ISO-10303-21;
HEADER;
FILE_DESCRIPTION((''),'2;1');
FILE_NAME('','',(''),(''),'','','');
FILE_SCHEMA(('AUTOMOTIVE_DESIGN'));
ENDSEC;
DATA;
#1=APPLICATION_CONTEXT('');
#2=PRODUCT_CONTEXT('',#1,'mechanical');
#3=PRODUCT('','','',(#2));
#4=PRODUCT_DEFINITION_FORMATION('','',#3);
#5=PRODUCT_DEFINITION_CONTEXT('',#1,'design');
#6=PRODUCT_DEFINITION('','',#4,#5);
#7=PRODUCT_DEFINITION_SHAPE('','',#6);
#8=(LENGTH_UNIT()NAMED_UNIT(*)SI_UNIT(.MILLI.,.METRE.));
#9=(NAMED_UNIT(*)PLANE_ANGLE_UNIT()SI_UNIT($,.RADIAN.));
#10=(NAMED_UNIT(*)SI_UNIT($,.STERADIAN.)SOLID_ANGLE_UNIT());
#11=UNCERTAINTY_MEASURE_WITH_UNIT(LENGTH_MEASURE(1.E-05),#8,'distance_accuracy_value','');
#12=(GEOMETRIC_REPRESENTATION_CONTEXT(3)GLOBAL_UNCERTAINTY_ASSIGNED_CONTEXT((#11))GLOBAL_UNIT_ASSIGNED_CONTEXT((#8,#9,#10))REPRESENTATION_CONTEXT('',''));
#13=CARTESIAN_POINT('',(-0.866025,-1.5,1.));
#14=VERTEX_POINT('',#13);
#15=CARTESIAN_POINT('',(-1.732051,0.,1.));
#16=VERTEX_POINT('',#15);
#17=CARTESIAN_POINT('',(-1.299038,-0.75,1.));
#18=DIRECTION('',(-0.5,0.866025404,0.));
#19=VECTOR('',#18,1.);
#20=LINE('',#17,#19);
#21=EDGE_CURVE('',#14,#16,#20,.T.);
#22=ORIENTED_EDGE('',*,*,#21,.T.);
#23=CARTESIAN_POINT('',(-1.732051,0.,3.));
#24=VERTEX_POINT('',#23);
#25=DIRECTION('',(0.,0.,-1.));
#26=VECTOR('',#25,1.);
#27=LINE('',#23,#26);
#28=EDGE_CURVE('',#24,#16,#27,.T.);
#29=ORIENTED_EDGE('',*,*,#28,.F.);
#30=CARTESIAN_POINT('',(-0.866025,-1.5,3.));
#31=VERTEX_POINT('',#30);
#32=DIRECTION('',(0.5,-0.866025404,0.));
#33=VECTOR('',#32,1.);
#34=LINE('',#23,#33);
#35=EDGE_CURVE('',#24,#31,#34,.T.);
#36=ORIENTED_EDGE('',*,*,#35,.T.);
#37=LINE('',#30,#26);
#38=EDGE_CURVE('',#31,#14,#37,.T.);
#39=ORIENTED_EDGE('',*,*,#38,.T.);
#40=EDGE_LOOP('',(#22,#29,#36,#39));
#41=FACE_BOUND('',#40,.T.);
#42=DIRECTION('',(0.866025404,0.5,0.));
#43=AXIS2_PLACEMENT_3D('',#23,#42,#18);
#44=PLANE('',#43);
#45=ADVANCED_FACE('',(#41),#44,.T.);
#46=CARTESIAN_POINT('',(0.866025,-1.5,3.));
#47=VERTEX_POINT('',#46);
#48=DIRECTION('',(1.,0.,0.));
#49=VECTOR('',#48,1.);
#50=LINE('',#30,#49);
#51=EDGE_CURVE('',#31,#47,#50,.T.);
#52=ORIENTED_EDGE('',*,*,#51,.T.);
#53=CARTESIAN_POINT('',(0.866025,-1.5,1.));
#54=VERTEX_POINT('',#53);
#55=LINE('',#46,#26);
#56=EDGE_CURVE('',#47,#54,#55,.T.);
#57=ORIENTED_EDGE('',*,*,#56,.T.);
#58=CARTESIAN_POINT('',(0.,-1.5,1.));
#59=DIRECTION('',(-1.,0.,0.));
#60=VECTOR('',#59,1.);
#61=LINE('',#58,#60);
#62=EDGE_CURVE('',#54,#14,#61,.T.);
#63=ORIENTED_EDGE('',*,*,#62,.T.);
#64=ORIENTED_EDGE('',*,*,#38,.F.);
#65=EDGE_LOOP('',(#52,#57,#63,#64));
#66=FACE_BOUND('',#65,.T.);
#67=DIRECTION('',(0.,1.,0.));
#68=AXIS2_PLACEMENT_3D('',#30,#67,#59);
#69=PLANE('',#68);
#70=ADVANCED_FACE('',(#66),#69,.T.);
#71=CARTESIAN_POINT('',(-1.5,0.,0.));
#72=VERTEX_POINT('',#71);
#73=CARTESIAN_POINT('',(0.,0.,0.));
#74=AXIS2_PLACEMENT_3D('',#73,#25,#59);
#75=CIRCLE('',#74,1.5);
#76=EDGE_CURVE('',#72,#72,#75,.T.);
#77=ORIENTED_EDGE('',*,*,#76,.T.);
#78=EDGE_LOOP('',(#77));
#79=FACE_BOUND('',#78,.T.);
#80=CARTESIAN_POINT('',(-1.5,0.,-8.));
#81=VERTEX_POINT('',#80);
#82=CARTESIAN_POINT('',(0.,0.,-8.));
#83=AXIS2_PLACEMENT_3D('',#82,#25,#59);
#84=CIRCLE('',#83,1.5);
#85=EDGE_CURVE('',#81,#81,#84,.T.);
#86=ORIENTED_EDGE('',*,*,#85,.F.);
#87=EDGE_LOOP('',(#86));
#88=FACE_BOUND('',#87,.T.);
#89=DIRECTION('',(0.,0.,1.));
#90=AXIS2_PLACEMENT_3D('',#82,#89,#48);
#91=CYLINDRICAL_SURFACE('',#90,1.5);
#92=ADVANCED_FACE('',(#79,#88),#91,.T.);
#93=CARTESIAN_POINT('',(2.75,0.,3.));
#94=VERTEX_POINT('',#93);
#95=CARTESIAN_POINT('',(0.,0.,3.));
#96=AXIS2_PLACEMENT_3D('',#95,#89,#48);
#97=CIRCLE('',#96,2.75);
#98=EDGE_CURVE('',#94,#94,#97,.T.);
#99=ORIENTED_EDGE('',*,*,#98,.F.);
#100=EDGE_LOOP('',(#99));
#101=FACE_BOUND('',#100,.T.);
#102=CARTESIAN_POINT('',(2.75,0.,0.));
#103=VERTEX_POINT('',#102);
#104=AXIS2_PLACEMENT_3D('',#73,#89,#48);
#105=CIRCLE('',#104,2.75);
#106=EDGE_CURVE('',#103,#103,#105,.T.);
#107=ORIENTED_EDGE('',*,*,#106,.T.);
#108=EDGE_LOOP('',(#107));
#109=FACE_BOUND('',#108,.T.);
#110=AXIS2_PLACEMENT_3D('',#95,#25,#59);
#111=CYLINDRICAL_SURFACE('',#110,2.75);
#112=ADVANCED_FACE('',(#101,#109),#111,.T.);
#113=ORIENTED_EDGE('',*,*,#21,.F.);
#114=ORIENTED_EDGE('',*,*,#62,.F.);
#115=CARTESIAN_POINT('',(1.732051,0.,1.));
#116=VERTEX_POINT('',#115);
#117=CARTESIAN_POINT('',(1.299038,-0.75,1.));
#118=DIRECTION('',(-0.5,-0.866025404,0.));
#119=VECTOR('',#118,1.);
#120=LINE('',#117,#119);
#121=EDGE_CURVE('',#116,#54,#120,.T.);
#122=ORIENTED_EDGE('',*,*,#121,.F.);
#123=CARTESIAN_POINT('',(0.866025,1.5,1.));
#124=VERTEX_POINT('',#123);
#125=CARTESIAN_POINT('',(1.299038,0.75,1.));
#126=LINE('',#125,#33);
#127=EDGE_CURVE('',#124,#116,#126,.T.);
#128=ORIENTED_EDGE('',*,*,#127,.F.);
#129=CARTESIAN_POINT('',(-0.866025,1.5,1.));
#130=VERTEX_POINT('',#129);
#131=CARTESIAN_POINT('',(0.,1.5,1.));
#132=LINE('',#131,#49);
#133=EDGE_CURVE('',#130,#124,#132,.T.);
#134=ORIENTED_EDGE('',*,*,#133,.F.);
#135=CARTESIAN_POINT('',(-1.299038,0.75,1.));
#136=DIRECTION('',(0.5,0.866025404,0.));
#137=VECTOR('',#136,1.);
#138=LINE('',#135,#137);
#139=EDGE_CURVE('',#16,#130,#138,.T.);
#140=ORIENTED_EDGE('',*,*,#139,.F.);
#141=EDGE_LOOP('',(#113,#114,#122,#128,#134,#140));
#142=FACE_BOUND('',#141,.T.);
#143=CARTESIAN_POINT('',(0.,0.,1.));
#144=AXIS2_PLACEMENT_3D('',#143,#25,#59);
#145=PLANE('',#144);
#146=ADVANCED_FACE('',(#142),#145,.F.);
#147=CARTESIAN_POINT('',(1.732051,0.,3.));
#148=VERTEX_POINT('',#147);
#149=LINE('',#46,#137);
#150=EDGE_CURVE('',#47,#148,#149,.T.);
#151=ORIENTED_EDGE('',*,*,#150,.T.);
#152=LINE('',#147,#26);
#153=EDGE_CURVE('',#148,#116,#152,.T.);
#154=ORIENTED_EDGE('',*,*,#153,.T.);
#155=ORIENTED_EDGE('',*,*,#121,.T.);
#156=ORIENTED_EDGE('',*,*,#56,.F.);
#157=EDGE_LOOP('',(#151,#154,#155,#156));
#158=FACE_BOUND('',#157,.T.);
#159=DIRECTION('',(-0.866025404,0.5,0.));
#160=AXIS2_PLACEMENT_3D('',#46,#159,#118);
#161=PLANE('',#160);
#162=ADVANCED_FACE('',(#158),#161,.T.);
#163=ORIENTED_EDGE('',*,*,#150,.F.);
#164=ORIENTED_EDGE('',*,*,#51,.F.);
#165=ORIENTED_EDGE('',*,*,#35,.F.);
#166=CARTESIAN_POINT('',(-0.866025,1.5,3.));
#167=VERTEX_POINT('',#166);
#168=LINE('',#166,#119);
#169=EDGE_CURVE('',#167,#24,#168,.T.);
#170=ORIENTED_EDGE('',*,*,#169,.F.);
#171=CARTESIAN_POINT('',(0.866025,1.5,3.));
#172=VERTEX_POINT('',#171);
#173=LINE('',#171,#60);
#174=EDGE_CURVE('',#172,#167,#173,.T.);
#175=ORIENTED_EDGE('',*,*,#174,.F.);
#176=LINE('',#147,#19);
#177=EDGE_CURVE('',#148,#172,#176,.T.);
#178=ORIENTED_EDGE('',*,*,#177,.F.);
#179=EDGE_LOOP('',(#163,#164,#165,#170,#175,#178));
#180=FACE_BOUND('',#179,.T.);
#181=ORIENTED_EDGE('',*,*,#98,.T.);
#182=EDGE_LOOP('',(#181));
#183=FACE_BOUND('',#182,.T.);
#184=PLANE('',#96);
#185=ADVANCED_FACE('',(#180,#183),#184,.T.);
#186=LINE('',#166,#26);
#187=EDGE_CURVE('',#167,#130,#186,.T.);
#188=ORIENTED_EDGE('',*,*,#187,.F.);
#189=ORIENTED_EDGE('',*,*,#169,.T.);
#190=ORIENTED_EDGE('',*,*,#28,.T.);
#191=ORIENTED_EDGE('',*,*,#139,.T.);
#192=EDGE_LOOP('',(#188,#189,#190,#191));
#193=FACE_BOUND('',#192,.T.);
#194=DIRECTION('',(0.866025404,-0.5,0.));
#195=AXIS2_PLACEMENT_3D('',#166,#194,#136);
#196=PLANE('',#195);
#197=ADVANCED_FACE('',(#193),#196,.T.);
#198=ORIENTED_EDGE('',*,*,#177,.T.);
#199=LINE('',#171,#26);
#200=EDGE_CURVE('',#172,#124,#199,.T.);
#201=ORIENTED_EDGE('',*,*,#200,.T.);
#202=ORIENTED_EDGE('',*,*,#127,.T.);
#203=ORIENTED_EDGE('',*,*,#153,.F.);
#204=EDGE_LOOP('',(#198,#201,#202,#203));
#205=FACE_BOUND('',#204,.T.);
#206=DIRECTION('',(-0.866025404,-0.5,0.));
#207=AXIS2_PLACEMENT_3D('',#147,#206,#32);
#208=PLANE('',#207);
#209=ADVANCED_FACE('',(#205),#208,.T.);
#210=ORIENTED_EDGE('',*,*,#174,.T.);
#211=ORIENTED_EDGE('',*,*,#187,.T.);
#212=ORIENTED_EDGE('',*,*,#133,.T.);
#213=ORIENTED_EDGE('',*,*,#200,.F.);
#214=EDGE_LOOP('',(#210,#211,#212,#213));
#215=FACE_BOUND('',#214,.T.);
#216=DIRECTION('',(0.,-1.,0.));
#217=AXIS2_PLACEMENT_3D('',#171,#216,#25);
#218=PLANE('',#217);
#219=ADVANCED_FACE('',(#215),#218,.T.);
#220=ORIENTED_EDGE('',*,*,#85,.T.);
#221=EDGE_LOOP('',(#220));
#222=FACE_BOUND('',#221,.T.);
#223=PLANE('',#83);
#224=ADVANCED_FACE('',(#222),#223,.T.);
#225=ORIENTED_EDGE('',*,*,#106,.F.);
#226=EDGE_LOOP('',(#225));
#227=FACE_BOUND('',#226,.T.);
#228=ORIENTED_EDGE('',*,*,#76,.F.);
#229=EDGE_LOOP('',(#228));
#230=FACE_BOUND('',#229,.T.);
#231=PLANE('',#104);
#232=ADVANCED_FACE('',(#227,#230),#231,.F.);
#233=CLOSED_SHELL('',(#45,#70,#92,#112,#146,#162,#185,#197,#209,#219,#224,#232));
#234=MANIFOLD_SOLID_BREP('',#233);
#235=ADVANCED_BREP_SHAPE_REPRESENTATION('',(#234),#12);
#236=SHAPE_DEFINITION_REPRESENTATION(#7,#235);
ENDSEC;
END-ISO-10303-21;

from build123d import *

# Parameters (mm, degrees)
SKETCH_1_R      = 2.75
EXTRUDE_1_DEPTH = 3
SKETCH_2_R      = 1.5
EXTRUDE_2_DEPTH = 8
EXTRUDE_3_DEPTH = 1


with BuildPart() as part:
    # 草图1 → 凸台-拉伸1 (new body)
    with BuildSketch(Plane.XY):
        Circle(SKETCH_1_R)
        Polygon((1.732050808, 0), (0.866025404, 1.5), (-0.866025404, 1.5), (-1.732050808, 0), (-0.866025404, -1.5), (0.866025404, -1.5), align=None, mode=Mode.SUBTRACT)
    extrude(amount=EXTRUDE_1_DEPTH)



with BuildPart() as body_2:
    # 草图2 → 凸台-拉伸2 (new body)
    with BuildSketch(Plane(origin=(0, 0, 0), x_dir=(-1, 0, 0), z_dir=(0, 0, -1))):
        Circle(SKETCH_2_R)
    extrude(amount=EXTRUDE_2_DEPTH)


with BuildPart() as part_1:
    add(part.part)

    add(body_2.part)  # 凸台-拉伸3 merges body 2
    # 草图1<3> → 凸台-拉伸3 (add)
    with BuildSketch(Plane.XY):
        Polygon((-0.866025404, -1.5), (0.866025404, -1.5), (1.732050808, 0), (0.866025404, 1.5), (-0.866025404, 1.5), (-1.732050808, 0), align=None)
    extrude(amount=EXTRUDE_3_DEPTH)


solid = part_1.part
